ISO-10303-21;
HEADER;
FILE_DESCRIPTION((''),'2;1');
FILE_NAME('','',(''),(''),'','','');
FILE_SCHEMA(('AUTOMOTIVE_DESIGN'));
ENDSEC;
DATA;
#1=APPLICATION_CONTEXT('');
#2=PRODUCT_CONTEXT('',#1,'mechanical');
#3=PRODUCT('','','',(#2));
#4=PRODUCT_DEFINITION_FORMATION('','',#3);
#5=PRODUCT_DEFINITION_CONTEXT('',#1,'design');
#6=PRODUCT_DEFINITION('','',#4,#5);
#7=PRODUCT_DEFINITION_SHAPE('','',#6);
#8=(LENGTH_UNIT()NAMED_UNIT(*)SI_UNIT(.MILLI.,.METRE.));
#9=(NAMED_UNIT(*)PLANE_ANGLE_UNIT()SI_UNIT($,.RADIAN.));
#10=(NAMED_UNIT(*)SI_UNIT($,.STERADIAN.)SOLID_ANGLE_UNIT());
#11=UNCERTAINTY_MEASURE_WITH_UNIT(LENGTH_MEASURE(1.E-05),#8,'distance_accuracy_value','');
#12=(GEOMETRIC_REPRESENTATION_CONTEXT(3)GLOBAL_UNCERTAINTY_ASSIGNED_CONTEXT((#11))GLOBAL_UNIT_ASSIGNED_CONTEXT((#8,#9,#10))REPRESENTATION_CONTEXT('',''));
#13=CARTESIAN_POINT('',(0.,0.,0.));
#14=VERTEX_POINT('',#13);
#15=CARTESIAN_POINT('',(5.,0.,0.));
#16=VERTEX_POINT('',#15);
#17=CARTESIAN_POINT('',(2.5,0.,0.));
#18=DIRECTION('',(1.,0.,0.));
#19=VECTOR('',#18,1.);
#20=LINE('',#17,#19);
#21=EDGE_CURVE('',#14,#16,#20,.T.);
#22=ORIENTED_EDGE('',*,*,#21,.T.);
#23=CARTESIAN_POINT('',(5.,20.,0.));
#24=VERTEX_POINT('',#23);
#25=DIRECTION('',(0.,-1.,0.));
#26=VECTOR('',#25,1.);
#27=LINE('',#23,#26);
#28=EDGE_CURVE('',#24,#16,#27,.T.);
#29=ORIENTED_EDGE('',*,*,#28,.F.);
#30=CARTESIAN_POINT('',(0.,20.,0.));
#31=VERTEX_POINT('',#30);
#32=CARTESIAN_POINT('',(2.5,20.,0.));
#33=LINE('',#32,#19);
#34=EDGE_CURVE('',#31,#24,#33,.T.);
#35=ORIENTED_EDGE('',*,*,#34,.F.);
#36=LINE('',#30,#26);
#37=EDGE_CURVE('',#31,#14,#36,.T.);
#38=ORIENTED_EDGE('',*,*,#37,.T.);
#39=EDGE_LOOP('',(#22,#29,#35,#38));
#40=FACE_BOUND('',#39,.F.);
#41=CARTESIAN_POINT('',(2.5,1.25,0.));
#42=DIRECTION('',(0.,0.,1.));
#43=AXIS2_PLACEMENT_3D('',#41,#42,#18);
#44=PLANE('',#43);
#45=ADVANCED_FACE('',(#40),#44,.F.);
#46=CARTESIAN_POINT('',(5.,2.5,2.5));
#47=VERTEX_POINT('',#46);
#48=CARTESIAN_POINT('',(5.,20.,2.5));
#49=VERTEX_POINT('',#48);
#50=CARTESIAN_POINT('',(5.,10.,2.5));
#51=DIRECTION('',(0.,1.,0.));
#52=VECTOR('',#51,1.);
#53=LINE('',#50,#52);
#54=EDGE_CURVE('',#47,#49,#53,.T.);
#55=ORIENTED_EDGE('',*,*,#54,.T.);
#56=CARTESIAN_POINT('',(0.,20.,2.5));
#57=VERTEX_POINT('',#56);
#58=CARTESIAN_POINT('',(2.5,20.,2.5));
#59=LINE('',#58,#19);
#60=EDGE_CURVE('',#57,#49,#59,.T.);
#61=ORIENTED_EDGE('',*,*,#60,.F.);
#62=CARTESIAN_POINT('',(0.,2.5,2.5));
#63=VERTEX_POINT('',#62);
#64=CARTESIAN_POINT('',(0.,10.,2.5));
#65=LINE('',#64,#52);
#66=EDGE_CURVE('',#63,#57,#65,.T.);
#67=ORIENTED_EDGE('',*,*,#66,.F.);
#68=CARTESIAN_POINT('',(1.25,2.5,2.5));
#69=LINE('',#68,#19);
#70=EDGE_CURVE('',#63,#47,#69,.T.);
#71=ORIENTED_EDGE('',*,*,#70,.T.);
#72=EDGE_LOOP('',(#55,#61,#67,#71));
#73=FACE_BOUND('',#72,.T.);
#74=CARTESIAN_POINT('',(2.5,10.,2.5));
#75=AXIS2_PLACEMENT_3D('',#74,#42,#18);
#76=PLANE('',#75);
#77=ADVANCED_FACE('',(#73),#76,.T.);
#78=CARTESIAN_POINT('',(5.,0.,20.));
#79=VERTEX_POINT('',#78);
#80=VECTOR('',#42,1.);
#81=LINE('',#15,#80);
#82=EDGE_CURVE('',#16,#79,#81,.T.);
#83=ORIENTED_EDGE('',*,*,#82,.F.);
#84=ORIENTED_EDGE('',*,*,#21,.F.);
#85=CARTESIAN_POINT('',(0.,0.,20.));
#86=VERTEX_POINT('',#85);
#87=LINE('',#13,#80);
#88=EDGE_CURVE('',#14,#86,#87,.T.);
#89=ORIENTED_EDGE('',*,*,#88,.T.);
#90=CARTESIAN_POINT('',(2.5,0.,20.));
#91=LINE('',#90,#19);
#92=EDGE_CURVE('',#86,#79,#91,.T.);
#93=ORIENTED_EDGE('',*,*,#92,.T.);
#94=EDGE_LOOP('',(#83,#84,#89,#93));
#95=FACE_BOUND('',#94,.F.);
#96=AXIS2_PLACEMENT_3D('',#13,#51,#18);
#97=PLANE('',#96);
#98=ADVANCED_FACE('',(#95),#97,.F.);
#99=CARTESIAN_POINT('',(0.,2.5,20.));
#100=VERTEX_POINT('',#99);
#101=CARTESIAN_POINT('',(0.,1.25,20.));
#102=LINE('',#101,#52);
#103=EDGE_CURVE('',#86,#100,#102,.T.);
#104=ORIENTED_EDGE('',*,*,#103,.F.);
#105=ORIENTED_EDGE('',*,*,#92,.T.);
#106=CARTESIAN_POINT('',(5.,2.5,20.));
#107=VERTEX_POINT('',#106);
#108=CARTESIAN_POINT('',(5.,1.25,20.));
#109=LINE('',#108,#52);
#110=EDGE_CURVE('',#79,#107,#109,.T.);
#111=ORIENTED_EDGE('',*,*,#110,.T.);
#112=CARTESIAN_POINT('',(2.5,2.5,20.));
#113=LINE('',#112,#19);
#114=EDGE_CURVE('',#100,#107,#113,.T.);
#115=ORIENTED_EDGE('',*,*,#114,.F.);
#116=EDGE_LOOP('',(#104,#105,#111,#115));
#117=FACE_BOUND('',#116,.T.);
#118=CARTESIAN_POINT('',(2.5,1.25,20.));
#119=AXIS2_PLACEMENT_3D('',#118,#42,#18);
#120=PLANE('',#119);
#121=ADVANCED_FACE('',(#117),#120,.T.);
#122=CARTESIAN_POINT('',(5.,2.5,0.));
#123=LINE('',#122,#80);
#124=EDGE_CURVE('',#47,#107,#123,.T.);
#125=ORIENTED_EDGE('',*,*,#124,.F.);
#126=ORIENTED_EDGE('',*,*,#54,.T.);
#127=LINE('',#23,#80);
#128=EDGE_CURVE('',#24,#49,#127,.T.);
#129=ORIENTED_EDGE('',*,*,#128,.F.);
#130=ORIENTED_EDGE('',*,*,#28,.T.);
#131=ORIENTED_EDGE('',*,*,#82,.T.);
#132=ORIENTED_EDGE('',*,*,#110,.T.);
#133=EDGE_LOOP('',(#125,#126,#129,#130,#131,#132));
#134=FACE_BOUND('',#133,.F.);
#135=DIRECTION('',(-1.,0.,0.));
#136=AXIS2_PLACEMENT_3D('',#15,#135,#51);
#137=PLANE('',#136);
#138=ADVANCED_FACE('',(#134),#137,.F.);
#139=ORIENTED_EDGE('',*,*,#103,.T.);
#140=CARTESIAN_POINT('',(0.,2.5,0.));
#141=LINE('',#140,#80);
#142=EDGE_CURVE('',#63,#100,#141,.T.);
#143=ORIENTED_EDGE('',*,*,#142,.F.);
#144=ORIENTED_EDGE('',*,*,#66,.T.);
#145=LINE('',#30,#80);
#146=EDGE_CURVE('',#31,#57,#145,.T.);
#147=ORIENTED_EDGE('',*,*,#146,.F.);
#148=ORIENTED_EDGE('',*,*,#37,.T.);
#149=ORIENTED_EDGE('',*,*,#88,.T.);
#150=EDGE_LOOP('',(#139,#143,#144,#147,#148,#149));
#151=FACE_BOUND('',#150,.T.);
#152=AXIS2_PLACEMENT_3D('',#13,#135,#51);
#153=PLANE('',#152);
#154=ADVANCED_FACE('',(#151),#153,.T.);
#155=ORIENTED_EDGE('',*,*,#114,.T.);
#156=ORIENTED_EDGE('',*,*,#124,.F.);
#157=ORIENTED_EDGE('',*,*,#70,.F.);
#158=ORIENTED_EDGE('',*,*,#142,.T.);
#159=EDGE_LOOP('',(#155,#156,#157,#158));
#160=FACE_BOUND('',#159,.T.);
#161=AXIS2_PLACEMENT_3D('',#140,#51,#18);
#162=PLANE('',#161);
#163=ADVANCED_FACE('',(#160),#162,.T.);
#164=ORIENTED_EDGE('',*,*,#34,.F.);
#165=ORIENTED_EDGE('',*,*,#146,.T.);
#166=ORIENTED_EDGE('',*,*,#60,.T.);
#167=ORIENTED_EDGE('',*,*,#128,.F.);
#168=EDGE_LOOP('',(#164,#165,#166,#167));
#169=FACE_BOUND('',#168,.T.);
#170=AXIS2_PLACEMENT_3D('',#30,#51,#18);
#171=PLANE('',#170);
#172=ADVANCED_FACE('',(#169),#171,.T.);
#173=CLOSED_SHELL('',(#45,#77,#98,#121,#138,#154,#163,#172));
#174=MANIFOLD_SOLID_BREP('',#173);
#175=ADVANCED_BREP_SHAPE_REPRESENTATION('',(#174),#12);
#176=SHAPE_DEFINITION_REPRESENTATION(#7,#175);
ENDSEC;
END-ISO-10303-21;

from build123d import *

# Parameters (mm, degrees)
BOX_W        = 5
BOX_H        = 20
BOX_DEPTH    = 2.5
BOX002_W     = 5
BOX002_H     = 2.5
BOX002_DEPTH = 20


with BuildPart() as box:
    # Box → Box (new body)
    with BuildSketch(Plane.XY):
        with Locations((2.5, 10)):
            Rectangle(BOX_W, BOX_H)
    extrude(amount=BOX_DEPTH)


with BuildPart() as fusion:
    # Box002 → Box002 (new body)
    with BuildSketch(Plane.XY):
        with Locations((2.5, 1.25)):
            Rectangle(BOX002_W, BOX002_H)
    extrude(amount=BOX002_DEPTH)

    # Fusion: union Box
    add(box.part)


solid = fusion.part
